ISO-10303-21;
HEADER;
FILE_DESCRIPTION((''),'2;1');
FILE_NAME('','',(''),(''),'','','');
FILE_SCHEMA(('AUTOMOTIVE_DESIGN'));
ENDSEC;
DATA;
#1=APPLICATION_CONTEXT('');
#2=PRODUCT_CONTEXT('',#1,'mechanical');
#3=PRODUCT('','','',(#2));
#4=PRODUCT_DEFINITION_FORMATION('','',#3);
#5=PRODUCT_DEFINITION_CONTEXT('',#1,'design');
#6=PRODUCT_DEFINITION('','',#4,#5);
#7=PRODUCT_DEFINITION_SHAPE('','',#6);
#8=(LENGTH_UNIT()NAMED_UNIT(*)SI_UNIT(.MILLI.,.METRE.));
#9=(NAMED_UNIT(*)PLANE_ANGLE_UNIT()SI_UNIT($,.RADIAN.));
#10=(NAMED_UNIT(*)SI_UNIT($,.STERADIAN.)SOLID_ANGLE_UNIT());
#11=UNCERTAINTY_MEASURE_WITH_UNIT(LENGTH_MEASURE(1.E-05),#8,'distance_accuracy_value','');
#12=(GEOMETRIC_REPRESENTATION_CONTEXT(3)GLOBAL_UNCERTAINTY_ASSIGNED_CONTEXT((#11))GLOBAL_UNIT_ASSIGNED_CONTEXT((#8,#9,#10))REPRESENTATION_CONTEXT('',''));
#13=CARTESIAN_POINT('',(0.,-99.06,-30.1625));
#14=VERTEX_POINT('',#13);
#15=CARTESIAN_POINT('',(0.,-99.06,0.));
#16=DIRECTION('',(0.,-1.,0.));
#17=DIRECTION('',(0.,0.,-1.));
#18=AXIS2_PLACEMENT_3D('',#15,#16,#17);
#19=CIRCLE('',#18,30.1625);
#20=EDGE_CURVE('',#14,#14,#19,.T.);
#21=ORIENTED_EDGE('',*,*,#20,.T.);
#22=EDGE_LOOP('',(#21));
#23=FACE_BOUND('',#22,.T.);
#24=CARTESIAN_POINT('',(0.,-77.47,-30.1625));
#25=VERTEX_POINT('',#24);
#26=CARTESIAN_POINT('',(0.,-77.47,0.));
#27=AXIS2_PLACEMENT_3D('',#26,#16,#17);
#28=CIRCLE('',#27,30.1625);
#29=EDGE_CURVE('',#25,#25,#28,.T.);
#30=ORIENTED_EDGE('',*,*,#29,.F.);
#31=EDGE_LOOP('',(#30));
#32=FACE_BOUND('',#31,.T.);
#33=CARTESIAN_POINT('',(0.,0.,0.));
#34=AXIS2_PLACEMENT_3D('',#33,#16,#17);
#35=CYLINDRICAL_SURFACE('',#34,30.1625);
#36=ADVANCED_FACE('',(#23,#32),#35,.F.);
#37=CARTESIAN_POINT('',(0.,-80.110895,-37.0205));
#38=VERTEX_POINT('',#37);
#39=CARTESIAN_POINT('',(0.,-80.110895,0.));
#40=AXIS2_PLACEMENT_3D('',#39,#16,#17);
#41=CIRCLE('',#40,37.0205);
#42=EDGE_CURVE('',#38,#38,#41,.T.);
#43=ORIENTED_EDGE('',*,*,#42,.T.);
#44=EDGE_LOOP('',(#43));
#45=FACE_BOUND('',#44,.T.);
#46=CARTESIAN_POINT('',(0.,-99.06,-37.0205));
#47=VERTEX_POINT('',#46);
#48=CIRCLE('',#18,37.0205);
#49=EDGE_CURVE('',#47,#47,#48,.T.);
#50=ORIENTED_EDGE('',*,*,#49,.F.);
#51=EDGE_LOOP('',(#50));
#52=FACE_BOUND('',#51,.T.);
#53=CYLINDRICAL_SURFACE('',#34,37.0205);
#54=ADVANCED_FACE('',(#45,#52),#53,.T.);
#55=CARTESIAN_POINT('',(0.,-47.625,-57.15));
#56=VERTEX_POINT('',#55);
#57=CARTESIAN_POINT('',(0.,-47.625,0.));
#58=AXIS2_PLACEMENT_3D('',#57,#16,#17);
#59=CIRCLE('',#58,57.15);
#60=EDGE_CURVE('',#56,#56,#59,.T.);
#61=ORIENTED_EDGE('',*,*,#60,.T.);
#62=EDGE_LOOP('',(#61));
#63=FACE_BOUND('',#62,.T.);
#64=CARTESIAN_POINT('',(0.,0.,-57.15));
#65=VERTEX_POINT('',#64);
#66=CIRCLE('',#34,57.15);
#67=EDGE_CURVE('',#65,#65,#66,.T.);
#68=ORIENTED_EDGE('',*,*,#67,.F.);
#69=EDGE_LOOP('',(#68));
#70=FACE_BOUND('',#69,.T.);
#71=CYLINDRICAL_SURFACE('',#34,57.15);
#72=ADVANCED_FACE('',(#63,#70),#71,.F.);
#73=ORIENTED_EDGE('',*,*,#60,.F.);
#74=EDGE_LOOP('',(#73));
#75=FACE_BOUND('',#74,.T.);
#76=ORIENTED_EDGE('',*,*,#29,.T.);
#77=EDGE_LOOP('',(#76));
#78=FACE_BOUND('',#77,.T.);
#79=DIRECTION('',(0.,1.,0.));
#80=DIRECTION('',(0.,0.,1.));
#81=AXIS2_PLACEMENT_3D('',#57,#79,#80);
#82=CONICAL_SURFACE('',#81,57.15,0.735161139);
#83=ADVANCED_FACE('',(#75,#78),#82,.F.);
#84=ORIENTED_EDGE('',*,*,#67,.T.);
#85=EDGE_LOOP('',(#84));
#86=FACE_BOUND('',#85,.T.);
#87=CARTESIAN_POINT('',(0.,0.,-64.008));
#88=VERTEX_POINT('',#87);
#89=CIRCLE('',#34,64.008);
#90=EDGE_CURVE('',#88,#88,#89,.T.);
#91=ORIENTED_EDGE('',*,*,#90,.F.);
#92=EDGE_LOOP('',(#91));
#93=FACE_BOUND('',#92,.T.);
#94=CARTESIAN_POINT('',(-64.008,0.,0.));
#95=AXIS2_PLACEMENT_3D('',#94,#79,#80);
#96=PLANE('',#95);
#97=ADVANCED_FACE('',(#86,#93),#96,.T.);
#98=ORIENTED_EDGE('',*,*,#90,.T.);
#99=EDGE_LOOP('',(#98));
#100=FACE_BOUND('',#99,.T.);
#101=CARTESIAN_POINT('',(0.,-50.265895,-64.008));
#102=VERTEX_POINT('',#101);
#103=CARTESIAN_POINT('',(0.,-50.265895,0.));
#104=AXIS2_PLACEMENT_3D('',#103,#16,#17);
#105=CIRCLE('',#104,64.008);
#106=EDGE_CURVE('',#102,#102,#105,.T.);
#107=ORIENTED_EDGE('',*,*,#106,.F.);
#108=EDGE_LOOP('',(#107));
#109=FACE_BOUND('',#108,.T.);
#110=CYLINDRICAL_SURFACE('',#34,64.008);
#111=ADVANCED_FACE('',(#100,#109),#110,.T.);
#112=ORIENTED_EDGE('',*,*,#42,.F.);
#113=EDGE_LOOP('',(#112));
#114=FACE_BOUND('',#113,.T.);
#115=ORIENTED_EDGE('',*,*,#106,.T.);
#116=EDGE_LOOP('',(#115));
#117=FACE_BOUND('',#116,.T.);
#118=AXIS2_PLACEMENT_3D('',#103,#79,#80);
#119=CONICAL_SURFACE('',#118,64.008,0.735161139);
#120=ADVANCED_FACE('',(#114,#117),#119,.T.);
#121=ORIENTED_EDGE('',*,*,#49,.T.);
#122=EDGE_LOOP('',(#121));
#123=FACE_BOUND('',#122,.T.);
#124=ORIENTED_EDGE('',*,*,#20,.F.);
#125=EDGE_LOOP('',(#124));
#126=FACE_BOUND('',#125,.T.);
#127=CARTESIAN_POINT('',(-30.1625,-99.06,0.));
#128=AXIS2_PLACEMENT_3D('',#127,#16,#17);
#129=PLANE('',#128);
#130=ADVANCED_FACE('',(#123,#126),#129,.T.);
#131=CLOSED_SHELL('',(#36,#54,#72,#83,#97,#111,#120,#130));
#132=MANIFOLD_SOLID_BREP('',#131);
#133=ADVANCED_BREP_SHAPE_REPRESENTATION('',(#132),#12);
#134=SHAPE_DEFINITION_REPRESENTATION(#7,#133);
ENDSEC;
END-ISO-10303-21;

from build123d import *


with BuildPart() as part:
    # Sketch1 → Revolve-Thin1 (revolve)
    with BuildSketch(Plane.XY):
        Polygon((-57.15, 0), (-57.15, -47.625), (-30.1625, -77.47), (-30.1625, -99.06), (-37.0205, -99.06), (-37.0205, -80.110894832), (-64.008, -50.265894832), (-64.008, 0), align=None)
    revolve(axis=Axis((0, 0, 0), (0, 1, 0)))


solid = part.part
